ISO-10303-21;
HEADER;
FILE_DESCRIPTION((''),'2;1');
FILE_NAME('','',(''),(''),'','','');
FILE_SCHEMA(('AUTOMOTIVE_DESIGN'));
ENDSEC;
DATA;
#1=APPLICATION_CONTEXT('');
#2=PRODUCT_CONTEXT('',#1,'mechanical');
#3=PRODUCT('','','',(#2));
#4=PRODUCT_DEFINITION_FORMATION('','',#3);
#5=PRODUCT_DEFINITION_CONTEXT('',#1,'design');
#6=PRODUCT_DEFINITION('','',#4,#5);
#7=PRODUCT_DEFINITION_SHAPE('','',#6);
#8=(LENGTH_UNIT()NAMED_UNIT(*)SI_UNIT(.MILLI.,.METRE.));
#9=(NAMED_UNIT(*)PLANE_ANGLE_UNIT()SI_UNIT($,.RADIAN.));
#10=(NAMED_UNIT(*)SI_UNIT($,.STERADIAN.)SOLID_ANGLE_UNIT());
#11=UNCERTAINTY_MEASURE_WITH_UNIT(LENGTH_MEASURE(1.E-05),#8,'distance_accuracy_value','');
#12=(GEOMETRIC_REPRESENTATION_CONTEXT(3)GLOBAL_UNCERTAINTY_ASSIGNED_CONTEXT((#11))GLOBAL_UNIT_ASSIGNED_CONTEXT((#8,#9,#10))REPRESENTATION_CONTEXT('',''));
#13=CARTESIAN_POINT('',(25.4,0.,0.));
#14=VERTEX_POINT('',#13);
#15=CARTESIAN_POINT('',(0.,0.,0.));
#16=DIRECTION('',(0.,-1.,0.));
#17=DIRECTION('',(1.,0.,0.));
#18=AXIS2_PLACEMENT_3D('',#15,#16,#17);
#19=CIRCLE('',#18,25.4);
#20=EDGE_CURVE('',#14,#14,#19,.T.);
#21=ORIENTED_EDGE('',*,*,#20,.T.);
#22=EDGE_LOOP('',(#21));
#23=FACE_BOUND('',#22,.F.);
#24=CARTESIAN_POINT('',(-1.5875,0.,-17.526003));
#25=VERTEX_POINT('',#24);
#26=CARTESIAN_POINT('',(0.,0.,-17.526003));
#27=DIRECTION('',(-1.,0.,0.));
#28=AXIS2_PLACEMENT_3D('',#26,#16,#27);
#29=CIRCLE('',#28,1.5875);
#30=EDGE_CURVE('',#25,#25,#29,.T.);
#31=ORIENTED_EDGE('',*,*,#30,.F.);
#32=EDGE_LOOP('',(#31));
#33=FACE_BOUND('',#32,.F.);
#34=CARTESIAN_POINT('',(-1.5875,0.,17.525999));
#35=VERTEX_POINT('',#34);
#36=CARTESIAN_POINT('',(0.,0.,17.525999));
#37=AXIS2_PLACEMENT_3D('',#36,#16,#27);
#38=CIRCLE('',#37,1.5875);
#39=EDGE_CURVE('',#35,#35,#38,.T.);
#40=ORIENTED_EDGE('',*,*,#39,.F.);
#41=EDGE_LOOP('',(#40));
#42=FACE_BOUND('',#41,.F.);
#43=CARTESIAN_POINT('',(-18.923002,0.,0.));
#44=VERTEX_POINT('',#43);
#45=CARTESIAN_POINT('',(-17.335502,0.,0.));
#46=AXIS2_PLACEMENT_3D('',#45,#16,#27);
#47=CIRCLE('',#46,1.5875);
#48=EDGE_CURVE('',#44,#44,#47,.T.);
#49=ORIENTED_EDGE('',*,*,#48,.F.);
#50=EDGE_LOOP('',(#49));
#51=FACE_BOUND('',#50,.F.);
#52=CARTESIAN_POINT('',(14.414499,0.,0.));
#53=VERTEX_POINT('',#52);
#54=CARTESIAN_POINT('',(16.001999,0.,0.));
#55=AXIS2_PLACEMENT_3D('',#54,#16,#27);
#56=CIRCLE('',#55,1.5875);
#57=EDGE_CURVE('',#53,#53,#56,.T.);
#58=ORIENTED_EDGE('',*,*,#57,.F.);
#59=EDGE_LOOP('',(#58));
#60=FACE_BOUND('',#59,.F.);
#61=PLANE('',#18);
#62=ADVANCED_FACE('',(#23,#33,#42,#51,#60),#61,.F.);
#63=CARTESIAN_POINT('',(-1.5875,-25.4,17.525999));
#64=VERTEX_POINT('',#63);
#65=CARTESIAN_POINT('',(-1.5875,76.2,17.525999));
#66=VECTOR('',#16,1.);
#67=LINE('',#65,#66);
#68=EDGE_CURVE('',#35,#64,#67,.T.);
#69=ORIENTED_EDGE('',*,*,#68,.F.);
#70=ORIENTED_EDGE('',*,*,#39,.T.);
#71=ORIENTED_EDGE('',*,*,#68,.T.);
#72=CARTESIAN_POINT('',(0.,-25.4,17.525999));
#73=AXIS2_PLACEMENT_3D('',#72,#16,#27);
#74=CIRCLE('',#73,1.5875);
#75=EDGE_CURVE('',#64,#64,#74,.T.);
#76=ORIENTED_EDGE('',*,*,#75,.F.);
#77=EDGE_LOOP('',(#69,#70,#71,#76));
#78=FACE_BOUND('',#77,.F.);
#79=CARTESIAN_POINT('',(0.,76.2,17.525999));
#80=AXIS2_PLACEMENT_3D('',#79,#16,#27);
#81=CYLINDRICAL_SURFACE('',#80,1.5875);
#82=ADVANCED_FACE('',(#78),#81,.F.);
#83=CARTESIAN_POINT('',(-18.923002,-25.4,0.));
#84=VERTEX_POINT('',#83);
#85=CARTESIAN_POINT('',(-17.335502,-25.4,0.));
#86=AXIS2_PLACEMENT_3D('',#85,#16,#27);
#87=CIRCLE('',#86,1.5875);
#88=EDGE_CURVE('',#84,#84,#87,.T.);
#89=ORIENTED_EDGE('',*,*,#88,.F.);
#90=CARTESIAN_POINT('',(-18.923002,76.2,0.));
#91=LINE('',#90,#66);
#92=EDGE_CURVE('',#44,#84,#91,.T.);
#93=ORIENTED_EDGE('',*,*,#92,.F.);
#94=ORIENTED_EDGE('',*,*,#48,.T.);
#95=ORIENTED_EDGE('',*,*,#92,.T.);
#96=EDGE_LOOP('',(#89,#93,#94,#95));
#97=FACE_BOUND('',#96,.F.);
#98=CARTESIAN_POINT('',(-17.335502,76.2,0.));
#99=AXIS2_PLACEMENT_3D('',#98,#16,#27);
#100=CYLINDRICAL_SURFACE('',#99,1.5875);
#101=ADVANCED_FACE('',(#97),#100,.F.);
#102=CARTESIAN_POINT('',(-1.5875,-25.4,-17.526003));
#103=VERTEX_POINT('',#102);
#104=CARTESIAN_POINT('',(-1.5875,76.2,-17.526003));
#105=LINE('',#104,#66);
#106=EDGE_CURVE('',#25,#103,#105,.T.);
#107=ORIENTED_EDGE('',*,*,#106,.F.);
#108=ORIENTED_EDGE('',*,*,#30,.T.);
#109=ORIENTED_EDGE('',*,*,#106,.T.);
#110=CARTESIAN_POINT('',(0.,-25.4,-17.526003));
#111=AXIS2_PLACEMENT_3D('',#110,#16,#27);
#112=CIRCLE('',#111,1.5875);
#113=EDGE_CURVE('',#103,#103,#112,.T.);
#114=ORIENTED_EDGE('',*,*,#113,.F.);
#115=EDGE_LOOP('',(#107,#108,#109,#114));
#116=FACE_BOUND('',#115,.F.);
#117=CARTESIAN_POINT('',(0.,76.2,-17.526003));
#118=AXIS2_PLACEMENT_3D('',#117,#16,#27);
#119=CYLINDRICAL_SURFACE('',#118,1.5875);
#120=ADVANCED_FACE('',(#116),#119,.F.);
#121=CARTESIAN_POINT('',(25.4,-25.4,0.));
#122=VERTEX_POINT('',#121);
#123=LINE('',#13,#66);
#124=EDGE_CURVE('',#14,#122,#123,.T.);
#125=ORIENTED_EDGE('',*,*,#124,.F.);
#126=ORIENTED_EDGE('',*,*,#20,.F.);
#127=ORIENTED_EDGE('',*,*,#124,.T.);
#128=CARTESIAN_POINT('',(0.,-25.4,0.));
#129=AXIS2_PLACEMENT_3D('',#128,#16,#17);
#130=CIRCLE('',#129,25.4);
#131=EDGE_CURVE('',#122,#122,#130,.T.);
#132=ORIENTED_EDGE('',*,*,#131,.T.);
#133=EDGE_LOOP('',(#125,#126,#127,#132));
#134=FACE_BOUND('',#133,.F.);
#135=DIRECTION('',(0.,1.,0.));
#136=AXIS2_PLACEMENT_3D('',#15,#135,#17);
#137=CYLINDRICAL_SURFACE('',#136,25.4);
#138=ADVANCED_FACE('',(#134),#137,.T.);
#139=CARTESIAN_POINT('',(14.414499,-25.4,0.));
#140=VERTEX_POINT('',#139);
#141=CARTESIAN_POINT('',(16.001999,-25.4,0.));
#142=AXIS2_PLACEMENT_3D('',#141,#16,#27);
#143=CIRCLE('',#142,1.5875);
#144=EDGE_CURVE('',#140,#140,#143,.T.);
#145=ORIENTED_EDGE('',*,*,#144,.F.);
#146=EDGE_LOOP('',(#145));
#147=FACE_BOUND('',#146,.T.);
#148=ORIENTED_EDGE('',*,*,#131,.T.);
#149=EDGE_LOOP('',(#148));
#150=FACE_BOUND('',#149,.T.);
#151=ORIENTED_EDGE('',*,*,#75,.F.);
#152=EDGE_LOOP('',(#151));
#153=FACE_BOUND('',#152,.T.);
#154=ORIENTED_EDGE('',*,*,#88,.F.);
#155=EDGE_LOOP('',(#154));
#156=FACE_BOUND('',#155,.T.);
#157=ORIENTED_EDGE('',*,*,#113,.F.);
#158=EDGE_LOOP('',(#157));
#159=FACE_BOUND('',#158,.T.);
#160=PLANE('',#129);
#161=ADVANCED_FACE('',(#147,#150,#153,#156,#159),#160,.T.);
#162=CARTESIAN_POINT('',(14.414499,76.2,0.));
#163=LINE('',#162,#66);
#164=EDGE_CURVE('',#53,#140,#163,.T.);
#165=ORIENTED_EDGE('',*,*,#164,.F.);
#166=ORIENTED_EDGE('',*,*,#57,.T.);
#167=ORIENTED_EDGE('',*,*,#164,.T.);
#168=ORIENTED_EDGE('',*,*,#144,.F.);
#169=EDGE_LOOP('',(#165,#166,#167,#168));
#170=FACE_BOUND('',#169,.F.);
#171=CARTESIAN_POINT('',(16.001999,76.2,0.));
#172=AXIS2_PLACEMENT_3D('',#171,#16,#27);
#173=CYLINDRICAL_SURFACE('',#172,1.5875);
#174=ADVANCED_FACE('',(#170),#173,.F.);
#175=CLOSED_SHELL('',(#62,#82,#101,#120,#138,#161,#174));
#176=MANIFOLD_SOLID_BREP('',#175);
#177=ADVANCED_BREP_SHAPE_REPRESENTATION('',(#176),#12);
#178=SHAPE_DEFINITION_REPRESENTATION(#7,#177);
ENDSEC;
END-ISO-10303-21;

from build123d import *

# Parameters (mm, degrees)
F0_R     = 25.4
F0_R_2   = 22.225
F2_DEPTH = 25.4
F3_D     = 3.175


with BuildPart() as f2:
    # F0 (on Front) → F2 (new body)
    with BuildSketch(Plane.XZ):
        Circle(F0_R)
        Circle(F0_R_2, mode=Mode.SUBTRACT)
        Circle(F0_R_2)
    extrude(amount=F2_DEPTH)

    # F3 (through all)
    with Locations(Plane(origin=(0, 0, 0), x_dir=(1, 0, 0), z_dir=(0, 1, 0))):
        with Locations((0, 17.526003), (16.001999, 0), (0, -17.525999), (-17.335502, 0)):
            Hole(F3_D / 2)


solid = f2.part
